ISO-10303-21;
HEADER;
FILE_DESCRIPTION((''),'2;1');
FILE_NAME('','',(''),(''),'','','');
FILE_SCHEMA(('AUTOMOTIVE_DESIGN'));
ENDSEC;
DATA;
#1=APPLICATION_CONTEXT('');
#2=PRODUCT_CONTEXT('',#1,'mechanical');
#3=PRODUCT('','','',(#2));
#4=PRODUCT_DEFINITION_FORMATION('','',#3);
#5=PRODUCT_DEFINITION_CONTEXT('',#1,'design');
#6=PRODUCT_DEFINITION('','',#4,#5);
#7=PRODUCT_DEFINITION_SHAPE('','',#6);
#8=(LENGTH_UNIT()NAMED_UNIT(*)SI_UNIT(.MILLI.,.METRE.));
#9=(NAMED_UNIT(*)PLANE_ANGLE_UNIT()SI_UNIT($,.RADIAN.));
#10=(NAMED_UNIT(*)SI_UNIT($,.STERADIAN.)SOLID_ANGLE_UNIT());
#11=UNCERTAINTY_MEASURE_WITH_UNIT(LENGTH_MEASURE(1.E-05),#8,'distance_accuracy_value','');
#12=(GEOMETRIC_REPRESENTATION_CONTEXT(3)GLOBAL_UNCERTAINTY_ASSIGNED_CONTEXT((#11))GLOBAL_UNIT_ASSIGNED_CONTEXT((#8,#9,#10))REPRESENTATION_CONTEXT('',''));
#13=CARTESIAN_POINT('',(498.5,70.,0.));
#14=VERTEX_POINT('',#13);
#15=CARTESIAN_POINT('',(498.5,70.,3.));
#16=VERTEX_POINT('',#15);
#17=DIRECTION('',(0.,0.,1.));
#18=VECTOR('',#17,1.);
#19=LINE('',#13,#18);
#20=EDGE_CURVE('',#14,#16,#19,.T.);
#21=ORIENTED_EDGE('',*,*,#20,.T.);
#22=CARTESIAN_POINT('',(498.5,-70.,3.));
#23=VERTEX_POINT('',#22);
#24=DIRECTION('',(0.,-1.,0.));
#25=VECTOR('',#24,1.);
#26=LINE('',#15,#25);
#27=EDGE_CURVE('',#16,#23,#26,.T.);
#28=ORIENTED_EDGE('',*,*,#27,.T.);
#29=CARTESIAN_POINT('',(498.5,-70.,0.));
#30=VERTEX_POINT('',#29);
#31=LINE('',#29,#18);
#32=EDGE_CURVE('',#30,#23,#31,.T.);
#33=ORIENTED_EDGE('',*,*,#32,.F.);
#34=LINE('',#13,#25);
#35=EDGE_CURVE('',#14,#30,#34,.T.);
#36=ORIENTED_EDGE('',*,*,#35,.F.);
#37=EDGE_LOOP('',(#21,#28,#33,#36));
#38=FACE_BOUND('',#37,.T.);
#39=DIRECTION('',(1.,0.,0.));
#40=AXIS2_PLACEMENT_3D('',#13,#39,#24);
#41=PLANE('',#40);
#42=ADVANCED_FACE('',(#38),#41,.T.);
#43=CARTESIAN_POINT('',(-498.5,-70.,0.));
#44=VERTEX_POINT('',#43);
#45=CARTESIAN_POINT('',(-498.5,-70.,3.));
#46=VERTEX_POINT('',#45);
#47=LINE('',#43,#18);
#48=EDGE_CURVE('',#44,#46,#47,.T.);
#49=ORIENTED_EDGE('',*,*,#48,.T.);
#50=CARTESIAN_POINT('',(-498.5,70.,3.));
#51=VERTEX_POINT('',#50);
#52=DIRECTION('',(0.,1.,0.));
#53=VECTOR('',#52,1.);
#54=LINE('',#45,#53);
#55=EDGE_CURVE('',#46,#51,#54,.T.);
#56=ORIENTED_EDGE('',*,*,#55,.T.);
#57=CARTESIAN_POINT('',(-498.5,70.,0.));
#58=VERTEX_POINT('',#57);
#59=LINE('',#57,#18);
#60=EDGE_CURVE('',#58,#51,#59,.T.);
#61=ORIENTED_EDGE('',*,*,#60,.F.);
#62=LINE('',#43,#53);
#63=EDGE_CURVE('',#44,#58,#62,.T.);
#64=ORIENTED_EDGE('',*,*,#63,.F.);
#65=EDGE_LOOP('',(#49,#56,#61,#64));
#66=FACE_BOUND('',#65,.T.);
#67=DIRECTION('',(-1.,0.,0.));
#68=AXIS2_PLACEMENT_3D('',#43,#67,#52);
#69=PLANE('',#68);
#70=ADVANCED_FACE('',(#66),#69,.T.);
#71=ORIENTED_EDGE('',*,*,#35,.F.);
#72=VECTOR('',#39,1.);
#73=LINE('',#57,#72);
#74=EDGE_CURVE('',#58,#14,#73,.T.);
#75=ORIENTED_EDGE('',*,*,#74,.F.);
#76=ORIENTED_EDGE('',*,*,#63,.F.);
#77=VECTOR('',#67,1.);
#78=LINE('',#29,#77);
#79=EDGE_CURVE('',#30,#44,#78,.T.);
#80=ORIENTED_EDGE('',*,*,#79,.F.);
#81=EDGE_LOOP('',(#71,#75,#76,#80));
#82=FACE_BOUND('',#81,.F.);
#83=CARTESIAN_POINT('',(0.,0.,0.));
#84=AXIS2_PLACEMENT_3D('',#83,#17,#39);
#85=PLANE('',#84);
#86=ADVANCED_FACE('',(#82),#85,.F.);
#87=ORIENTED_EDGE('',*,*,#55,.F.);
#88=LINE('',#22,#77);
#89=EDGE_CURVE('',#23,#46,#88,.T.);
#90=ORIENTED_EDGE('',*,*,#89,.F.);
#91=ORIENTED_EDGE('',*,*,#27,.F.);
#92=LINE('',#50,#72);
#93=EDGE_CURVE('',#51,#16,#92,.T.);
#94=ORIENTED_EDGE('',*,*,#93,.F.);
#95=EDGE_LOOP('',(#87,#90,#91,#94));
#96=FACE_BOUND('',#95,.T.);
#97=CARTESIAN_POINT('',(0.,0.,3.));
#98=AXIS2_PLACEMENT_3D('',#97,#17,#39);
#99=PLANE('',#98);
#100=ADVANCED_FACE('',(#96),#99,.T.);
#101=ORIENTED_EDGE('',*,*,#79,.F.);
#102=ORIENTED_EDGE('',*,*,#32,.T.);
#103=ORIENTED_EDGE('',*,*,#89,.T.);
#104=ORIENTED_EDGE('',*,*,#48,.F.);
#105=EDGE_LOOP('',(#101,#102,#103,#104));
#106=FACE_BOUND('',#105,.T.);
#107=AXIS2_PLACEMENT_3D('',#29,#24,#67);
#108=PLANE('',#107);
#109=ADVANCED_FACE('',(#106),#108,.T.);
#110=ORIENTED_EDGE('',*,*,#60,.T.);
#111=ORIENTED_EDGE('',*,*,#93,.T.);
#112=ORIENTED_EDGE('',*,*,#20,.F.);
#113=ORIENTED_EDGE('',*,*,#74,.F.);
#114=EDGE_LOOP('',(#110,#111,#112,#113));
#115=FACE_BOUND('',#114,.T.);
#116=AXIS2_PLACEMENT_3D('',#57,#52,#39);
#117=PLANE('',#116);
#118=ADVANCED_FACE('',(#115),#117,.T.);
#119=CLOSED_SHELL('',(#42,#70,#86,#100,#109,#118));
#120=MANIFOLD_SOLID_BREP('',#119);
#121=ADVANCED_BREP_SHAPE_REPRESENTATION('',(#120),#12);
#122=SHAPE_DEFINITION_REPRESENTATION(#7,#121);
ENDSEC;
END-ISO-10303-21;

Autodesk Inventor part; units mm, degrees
ref_plane "YZ Plane" through (0, 0, 0) normal (1, 0, 0) x (0, 1, 0)
ref_plane "XZ Plane" through (0, 0, 0) normal (0, 1, 0) x (-1, 0, 0)
ref_plane "XY Plane" through (0, 0, 0) normal (0, 0, 1) x (1, 0, 0)
sketch "草图1" plane through (0, 0, 0) normal (0, 0, 1) x (1, 0, 0)
  line L0 (498.5, -70) -> (-498.5, -70)
  line L1 (-498.5, -70) -> (-498.5, 70)
  line L2 (-498.5, 70) -> (498.5, 70)
  line L3 (498.5, 70) -> (498.5, -70)
  line L4 (498.5, -70) -> (-498.5, 70) construction
  line L5 (-498.5, -70) -> (498.5, 70) construction
  point P0 (0, 0)
  dimension "d0" = 140
  dimension "d1" = 997
extrude "拉伸1" add sketch "草图1" along normal blind 3
properties part number "板材"
